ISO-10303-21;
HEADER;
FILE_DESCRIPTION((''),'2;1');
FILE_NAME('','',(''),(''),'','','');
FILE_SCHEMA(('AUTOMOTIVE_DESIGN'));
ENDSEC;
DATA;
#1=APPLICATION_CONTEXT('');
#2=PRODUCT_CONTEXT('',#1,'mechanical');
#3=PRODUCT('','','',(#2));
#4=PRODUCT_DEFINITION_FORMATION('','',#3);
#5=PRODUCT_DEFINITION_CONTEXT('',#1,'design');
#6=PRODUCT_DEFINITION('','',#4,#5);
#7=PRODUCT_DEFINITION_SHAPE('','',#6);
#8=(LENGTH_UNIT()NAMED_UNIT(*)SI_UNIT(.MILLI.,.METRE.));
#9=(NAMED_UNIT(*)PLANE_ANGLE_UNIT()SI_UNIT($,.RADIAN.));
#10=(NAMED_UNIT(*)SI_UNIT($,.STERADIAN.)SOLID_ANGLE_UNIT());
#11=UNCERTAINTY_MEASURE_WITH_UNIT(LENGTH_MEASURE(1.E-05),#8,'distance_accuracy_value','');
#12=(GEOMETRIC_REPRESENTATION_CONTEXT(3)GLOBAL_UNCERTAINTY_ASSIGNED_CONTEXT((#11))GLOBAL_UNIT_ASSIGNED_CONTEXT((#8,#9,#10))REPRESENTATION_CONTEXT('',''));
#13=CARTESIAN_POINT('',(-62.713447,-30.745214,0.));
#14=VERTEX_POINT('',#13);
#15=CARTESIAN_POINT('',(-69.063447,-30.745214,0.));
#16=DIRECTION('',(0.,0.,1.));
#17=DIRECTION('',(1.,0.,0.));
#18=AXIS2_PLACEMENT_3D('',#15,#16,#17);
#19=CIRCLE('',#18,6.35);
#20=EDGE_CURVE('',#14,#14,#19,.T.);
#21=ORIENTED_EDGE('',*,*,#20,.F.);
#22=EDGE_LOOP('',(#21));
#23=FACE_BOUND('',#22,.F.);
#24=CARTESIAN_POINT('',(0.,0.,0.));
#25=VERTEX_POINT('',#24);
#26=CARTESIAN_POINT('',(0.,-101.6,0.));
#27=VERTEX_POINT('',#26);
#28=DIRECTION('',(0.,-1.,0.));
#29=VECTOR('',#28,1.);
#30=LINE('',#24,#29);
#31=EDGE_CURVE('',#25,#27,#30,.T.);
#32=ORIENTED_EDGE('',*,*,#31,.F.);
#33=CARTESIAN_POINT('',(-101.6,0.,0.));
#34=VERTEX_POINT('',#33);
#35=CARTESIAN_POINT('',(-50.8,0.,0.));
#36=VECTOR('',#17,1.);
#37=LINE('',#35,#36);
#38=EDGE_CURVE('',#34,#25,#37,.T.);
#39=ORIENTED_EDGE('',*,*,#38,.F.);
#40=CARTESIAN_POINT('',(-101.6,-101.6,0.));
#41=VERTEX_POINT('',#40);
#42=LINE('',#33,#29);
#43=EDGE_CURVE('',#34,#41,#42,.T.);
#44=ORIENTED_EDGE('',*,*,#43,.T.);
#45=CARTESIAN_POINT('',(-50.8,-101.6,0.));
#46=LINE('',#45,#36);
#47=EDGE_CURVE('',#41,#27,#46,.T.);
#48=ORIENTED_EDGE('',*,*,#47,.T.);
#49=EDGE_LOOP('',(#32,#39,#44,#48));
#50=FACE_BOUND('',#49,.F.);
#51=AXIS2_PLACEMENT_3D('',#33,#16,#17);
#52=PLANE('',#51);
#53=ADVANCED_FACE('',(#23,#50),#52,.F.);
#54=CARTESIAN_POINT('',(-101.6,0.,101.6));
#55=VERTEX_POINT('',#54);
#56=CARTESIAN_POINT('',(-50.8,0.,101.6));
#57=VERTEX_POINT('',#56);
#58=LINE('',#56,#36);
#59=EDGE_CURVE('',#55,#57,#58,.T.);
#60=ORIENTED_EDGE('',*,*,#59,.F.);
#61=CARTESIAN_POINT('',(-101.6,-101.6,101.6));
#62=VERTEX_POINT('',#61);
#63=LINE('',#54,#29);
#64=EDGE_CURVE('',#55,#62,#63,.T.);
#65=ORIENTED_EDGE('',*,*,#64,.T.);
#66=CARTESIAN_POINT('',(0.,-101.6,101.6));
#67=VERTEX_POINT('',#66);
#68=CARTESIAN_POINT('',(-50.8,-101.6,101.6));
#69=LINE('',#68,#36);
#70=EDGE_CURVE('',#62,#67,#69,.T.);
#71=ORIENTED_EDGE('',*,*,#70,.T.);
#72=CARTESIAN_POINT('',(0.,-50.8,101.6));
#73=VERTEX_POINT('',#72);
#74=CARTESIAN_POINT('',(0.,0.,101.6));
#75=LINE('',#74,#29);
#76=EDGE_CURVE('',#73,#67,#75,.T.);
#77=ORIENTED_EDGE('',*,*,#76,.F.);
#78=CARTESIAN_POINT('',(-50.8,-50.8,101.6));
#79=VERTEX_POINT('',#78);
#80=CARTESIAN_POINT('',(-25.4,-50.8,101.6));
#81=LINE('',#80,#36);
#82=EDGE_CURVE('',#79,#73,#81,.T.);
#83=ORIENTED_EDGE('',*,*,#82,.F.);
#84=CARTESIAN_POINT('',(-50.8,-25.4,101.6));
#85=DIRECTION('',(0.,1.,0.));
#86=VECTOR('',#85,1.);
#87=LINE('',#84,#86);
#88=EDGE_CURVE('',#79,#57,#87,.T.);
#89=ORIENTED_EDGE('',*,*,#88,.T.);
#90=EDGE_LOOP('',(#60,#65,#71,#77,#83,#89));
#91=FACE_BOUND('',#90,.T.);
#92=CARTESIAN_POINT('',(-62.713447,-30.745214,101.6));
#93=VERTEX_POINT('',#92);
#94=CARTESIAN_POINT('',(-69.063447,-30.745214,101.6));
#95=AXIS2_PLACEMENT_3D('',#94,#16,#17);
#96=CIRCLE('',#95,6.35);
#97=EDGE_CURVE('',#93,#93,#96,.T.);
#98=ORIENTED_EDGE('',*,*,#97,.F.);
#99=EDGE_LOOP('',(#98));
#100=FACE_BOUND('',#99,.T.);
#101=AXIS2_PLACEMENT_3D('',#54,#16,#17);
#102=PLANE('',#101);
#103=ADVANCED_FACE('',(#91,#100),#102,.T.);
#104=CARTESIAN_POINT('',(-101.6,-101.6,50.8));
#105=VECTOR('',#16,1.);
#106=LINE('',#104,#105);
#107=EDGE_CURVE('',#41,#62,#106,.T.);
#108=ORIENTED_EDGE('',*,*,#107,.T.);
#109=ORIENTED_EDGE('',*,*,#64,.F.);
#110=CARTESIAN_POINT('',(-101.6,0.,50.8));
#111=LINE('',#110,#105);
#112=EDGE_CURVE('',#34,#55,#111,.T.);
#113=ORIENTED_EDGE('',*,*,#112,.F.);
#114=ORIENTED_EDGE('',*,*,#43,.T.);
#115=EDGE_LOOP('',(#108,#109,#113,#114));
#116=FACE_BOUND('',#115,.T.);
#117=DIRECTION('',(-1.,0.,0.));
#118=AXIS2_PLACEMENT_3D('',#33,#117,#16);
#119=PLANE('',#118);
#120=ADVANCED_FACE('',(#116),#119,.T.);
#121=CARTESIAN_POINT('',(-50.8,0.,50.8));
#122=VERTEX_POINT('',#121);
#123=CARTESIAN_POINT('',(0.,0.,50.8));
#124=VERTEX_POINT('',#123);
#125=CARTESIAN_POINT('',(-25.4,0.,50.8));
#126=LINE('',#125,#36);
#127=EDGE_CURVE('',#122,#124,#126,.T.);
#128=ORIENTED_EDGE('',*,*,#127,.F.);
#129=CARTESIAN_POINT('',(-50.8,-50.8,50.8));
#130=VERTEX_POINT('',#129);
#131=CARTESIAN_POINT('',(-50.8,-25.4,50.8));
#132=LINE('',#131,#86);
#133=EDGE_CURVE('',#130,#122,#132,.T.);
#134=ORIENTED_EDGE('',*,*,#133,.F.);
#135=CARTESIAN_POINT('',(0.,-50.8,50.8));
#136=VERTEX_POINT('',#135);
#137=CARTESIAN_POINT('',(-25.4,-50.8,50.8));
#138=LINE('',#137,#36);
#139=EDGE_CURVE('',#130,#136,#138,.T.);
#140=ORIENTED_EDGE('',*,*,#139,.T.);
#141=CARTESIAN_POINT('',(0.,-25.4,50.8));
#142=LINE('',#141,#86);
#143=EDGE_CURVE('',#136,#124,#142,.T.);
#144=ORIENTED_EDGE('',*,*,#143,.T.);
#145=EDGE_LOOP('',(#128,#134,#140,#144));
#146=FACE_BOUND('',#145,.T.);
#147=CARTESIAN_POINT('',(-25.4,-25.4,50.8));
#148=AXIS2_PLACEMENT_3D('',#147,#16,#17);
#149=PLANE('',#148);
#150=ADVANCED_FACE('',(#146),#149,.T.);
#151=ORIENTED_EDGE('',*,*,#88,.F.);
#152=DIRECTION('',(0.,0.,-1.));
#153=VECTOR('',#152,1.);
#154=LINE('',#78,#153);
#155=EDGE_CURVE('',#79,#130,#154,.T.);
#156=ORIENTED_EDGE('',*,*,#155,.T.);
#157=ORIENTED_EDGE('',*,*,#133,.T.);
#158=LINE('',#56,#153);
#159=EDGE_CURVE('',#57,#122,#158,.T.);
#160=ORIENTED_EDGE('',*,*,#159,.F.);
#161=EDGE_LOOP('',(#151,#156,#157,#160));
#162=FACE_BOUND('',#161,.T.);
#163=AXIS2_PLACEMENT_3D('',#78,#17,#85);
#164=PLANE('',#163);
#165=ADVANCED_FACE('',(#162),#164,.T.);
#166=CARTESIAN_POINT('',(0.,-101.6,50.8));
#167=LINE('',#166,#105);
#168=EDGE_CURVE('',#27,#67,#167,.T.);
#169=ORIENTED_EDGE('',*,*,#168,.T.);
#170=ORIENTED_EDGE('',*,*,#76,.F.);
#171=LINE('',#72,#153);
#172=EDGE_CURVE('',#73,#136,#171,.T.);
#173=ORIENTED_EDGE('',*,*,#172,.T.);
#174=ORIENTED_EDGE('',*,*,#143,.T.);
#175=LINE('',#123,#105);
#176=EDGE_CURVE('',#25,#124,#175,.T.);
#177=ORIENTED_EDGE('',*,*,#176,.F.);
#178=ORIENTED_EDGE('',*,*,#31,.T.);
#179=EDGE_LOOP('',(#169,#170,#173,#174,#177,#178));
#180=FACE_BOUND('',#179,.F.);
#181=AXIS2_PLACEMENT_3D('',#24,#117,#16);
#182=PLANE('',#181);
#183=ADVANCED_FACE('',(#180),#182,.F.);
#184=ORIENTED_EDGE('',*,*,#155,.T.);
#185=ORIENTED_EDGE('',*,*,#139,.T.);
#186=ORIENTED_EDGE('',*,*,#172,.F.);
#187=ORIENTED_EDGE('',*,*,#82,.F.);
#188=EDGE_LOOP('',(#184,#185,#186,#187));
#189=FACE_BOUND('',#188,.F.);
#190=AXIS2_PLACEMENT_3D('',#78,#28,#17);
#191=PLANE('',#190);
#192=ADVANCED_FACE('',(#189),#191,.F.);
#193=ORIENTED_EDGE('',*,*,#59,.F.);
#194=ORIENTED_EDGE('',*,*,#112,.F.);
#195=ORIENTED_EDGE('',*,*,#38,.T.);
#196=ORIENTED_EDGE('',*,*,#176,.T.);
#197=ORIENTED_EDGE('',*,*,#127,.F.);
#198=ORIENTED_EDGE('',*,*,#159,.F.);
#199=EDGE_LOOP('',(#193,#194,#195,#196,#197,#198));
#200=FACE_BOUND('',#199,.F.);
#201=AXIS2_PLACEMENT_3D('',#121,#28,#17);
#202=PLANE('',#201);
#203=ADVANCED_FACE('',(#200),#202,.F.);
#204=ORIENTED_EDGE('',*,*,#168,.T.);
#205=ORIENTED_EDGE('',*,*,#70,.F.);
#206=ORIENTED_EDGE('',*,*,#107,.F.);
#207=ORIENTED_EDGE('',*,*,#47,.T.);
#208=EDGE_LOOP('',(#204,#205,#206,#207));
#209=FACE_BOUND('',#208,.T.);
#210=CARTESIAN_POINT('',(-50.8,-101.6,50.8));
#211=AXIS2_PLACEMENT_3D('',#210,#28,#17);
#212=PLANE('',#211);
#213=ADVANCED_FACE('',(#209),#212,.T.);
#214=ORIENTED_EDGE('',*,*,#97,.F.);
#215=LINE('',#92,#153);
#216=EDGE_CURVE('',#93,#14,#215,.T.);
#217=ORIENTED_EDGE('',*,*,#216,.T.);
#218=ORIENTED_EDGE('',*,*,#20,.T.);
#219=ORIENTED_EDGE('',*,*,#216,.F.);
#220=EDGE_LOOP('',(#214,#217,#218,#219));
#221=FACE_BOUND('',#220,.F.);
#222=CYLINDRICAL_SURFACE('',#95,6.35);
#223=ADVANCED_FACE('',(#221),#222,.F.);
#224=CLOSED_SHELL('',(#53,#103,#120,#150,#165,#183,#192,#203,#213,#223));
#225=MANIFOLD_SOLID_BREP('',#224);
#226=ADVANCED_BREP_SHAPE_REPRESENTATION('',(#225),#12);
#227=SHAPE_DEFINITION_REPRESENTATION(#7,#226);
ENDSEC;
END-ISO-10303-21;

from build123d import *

# Parameters (mm, degrees)
F0_W     = 101.6
F0_H     = 101.6
F1_DEPTH = 101.6
F2_R     = 6.35
F3_DEPTH = 101.6
F4_W     = 50.8
F4_H     = 50.8
F5_DEPTH = 50.8


with BuildPart() as f1:
    # F0 (on Front) → F1 (new body)
    with BuildSketch(Plane.XZ):
        with Locations((-50.8, 50.8)):
            Rectangle(F0_W, F0_H)
    extrude(amount=F1_DEPTH)

    # F2 (on face) → F3 (cut)
    with BuildSketch(Plane.XY.offset(101.6)):
        with Locations((-69.063447, -30.745214)):
            Circle(F2_R)
    extrude(amount=-F3_DEPTH, mode=Mode.SUBTRACT)

    # F4 (on face) → F5 (cut)
    with BuildSketch(Plane.XY.offset(101.6)):
        with Locations((-25.4, -25.4)):
            Rectangle(F4_W, F4_H)
    extrude(amount=-F5_DEPTH, mode=Mode.SUBTRACT)


solid = f1.part
